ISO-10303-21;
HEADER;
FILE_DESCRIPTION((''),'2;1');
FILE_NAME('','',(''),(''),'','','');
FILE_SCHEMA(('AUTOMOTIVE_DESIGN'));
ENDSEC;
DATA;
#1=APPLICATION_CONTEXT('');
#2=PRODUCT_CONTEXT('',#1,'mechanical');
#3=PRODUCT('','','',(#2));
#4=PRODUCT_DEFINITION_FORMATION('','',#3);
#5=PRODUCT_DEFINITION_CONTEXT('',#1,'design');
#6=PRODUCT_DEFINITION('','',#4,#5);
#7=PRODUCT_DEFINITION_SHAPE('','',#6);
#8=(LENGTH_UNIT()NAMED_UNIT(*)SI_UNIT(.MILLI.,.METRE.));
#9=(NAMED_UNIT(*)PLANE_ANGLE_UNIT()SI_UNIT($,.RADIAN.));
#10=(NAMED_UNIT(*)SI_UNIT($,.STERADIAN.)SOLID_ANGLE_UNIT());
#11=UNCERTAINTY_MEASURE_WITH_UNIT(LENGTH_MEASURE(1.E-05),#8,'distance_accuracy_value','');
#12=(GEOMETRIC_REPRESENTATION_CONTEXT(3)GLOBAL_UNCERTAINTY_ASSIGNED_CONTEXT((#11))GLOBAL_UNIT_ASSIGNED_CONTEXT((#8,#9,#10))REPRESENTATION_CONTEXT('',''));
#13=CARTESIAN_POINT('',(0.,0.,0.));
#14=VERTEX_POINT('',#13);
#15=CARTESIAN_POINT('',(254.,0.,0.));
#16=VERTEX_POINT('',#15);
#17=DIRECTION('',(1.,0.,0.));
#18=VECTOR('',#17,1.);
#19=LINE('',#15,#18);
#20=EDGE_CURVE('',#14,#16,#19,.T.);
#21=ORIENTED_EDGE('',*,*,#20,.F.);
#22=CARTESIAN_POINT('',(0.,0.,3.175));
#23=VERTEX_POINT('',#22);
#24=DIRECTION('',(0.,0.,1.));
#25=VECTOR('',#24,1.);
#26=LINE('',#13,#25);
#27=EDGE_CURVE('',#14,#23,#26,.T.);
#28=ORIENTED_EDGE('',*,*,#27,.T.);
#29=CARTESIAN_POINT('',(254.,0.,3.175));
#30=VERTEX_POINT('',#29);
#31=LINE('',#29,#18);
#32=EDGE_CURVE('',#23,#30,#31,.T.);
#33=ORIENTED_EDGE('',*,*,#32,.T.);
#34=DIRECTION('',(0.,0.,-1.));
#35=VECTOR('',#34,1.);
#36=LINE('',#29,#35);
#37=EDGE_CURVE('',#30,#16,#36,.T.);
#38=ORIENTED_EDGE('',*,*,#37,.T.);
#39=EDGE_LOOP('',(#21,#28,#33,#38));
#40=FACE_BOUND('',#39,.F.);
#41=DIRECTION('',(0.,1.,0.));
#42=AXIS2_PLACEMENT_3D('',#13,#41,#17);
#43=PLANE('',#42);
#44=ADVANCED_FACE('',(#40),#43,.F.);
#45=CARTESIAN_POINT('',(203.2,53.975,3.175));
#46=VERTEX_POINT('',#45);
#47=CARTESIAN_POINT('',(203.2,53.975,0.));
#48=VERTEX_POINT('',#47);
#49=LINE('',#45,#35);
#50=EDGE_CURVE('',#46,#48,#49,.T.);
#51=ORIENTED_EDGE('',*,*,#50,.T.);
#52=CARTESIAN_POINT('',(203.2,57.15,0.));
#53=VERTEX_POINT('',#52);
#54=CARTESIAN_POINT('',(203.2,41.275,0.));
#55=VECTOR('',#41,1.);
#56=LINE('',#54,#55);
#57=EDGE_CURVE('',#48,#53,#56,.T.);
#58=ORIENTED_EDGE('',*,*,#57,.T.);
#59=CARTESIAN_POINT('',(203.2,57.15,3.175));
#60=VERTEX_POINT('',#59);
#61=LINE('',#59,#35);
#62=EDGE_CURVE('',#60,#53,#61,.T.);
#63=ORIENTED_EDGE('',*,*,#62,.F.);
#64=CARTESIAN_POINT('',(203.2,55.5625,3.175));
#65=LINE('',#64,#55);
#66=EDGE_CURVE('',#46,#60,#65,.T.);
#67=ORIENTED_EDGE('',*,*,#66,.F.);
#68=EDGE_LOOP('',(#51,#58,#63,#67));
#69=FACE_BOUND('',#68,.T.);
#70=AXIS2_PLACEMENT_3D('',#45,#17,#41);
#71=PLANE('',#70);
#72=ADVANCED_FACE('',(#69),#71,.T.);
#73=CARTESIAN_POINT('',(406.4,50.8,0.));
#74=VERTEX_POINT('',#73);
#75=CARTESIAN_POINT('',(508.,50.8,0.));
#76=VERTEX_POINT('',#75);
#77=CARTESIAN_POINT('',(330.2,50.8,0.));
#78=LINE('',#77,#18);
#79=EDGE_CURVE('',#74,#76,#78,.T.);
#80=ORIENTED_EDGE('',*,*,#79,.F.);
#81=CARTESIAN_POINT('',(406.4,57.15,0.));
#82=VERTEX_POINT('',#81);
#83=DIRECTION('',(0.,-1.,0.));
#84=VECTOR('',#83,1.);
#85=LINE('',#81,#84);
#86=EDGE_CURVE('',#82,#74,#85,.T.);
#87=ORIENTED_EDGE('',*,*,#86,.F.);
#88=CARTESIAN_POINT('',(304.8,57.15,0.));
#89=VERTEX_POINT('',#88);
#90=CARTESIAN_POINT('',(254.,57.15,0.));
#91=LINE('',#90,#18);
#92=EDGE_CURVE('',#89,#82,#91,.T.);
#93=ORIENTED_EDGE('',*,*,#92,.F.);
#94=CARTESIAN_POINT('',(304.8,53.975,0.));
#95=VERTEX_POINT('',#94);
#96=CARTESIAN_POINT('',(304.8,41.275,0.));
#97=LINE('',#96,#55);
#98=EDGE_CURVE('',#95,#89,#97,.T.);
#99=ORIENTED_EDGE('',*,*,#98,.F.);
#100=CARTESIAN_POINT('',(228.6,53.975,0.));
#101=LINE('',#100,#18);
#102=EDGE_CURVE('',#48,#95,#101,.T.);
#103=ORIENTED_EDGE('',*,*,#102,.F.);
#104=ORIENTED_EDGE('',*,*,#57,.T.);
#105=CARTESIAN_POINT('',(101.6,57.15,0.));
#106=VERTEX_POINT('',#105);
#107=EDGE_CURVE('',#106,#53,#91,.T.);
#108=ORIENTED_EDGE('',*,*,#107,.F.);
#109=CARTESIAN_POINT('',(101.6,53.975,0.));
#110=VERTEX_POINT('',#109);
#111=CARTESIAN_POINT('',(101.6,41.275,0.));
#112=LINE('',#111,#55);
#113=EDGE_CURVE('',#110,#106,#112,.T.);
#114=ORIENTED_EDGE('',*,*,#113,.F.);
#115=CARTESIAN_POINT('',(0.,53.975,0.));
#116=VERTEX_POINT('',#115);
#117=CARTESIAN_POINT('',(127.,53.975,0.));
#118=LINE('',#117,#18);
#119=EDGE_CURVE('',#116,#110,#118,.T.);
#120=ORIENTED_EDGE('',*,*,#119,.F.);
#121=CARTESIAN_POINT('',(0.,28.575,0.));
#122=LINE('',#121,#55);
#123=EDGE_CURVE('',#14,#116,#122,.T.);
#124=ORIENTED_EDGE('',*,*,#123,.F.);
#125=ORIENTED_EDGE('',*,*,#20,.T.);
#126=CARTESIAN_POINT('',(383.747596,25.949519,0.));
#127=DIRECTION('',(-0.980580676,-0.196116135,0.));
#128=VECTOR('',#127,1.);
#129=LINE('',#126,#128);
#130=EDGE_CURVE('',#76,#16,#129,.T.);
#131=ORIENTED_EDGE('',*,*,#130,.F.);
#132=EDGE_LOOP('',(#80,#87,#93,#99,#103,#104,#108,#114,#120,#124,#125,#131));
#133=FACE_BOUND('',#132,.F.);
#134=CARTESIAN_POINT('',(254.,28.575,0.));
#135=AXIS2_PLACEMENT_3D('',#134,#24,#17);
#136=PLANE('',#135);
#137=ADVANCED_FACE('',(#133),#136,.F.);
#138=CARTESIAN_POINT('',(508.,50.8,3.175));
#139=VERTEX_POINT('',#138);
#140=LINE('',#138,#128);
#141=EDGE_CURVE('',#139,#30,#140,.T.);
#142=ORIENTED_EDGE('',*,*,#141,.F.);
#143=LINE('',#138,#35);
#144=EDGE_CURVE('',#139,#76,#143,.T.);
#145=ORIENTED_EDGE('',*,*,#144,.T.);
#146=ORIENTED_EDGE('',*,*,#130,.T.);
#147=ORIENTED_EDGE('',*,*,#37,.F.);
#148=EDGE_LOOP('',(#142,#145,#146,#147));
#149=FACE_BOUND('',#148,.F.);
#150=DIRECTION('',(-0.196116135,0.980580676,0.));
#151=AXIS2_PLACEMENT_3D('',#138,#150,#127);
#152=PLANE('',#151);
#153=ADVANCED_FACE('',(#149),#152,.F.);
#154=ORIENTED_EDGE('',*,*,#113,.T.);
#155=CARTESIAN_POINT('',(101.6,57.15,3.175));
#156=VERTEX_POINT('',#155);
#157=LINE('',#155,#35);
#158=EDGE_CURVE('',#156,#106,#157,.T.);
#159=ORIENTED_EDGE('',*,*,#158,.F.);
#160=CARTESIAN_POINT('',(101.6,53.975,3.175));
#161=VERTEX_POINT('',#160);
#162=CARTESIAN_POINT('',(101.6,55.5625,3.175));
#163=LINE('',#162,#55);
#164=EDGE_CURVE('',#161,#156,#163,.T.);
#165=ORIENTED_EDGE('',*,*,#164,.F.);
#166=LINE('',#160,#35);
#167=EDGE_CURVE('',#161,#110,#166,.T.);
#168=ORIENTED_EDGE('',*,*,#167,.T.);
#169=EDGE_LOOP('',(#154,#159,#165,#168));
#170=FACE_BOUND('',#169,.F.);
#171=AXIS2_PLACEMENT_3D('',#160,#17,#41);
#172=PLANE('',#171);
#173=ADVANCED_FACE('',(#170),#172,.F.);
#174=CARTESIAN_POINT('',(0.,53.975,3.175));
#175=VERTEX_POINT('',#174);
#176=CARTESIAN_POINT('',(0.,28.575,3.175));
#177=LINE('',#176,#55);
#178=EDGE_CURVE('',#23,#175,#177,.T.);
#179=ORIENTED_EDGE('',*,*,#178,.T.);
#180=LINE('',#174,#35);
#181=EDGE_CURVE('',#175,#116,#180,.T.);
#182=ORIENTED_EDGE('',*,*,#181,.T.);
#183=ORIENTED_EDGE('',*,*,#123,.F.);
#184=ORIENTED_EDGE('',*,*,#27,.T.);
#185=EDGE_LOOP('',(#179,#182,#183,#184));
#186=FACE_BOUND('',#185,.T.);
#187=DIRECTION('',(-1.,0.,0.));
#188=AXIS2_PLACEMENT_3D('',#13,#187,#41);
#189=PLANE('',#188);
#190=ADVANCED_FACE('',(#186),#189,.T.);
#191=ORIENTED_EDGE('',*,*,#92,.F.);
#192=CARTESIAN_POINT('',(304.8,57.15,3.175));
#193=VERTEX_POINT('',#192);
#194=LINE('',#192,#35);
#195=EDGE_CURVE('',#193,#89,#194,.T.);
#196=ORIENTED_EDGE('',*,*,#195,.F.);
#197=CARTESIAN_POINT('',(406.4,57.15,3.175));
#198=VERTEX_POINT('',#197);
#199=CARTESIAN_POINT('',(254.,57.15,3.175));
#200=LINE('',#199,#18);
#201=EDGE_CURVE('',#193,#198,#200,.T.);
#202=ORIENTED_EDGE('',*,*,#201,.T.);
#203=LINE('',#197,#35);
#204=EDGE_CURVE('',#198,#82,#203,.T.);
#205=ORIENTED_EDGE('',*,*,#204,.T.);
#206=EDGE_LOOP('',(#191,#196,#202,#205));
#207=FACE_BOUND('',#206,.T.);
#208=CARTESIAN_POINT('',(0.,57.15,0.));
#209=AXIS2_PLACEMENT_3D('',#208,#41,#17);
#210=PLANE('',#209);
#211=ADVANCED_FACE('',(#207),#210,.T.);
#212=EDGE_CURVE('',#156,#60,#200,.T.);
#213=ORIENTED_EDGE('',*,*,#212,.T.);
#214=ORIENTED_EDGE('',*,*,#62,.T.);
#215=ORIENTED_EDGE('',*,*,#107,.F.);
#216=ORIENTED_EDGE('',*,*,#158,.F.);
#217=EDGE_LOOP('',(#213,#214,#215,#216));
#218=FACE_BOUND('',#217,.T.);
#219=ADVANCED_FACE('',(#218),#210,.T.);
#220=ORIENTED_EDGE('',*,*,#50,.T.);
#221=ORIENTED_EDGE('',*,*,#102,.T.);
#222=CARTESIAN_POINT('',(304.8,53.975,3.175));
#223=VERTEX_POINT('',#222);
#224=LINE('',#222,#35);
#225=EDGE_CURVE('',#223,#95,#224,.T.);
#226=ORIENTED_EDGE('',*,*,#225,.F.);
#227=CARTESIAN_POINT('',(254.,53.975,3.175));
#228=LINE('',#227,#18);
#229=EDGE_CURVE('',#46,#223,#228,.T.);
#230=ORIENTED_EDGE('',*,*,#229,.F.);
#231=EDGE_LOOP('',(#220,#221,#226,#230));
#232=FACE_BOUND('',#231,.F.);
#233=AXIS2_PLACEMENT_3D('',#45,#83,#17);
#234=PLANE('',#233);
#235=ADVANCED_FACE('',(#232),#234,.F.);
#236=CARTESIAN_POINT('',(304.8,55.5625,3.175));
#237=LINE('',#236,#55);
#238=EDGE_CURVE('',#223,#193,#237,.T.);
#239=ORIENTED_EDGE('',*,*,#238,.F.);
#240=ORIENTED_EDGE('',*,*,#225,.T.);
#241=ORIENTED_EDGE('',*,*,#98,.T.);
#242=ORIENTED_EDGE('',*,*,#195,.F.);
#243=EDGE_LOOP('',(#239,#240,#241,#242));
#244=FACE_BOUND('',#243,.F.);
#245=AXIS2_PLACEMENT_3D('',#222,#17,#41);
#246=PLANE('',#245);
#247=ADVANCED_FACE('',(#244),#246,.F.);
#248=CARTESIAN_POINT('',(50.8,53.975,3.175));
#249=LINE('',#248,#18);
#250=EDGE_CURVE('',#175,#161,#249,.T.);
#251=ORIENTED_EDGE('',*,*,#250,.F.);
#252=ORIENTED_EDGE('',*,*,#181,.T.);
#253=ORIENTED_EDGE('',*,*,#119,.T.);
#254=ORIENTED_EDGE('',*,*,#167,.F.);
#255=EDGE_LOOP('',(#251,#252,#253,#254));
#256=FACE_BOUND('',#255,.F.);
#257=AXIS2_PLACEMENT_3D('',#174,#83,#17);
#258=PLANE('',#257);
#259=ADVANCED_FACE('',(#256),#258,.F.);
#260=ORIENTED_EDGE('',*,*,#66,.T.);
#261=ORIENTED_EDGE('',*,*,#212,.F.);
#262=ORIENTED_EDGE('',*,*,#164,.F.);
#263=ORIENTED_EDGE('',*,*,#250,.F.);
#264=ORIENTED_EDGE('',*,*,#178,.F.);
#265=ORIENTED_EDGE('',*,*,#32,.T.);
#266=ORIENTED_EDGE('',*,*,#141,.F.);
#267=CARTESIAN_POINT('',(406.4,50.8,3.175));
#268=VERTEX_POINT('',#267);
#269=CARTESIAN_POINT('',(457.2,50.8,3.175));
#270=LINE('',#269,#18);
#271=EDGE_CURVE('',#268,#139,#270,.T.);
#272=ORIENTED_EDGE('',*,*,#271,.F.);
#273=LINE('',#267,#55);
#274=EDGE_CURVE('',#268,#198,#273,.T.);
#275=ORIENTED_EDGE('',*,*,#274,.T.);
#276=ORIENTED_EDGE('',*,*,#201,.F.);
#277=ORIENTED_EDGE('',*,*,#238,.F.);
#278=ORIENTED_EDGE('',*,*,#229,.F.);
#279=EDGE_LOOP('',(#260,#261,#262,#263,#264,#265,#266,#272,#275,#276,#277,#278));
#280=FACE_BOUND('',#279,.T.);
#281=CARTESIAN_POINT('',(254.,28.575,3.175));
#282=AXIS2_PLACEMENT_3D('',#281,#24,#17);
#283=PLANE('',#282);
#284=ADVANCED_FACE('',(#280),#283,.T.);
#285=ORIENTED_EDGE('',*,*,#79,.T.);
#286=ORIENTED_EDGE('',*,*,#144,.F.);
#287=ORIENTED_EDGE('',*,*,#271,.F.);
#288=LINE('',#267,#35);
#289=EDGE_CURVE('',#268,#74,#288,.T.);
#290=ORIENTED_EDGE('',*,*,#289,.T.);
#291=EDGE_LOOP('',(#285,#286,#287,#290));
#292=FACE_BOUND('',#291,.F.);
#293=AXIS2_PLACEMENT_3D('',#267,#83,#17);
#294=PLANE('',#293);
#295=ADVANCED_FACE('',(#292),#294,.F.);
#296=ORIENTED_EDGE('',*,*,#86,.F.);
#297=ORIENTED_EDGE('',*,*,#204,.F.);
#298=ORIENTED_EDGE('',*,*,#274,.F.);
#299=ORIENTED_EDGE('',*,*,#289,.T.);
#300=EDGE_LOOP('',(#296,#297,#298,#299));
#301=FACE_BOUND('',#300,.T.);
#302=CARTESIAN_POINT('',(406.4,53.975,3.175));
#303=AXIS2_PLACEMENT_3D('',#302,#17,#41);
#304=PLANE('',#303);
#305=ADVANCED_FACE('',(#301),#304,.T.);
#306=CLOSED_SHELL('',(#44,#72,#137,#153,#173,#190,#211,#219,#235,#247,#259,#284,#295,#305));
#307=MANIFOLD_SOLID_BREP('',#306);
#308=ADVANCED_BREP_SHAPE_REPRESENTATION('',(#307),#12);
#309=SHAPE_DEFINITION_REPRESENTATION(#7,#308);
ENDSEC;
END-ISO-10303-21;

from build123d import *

# Parameters (mm, degrees)
F0_W     = 508
F0_H     = 57.15
F1_DEPTH = 3.175
F4_DEPTH = 25.4
F2_W     = 101.6
F2_H     = 3.175
F5_DEPTH = 25.4
F6_W     = 101.6
F6_H     = 3.175
F7_DEPTH = 25.4


with BuildPart() as f1:
    # F0 (on Top) → F1 (new body)
    with BuildSketch(Plane.XY):
        with Locations((254, 28.575)):
            Rectangle(F0_W, F0_H)
    extrude(amount=F1_DEPTH)

    # F3 (on face) → F4 (cut)
    with BuildSketch(Plane.XY.offset(3.175)):
        Polygon((508, 50.8), (254, 0), (508, 0), align=None)
    extrude(amount=-F4_DEPTH, mode=Mode.SUBTRACT)

    # F2 (on face) → F5 (cut)
    with BuildSketch(Plane.XY.offset(3.175)):
        with Locations((50.8, 55.5625)):
            Rectangle(F2_W, F2_H)
        with Locations((254, 55.5625)):
            Rectangle(F2_W, F2_H)
        with Locations((457.2, 55.5625)):
            Rectangle(F2_W, F2_H)
    extrude(amount=-F5_DEPTH, mode=Mode.SUBTRACT)

    # F6 (on face) → F7 (cut)
    with BuildSketch(Plane.XY.offset(3.175)):
        with Locations((457.2, 52.3875)):
            Rectangle(F6_W, F6_H)
    extrude(amount=-F7_DEPTH, mode=Mode.SUBTRACT)


solid = f1.part
